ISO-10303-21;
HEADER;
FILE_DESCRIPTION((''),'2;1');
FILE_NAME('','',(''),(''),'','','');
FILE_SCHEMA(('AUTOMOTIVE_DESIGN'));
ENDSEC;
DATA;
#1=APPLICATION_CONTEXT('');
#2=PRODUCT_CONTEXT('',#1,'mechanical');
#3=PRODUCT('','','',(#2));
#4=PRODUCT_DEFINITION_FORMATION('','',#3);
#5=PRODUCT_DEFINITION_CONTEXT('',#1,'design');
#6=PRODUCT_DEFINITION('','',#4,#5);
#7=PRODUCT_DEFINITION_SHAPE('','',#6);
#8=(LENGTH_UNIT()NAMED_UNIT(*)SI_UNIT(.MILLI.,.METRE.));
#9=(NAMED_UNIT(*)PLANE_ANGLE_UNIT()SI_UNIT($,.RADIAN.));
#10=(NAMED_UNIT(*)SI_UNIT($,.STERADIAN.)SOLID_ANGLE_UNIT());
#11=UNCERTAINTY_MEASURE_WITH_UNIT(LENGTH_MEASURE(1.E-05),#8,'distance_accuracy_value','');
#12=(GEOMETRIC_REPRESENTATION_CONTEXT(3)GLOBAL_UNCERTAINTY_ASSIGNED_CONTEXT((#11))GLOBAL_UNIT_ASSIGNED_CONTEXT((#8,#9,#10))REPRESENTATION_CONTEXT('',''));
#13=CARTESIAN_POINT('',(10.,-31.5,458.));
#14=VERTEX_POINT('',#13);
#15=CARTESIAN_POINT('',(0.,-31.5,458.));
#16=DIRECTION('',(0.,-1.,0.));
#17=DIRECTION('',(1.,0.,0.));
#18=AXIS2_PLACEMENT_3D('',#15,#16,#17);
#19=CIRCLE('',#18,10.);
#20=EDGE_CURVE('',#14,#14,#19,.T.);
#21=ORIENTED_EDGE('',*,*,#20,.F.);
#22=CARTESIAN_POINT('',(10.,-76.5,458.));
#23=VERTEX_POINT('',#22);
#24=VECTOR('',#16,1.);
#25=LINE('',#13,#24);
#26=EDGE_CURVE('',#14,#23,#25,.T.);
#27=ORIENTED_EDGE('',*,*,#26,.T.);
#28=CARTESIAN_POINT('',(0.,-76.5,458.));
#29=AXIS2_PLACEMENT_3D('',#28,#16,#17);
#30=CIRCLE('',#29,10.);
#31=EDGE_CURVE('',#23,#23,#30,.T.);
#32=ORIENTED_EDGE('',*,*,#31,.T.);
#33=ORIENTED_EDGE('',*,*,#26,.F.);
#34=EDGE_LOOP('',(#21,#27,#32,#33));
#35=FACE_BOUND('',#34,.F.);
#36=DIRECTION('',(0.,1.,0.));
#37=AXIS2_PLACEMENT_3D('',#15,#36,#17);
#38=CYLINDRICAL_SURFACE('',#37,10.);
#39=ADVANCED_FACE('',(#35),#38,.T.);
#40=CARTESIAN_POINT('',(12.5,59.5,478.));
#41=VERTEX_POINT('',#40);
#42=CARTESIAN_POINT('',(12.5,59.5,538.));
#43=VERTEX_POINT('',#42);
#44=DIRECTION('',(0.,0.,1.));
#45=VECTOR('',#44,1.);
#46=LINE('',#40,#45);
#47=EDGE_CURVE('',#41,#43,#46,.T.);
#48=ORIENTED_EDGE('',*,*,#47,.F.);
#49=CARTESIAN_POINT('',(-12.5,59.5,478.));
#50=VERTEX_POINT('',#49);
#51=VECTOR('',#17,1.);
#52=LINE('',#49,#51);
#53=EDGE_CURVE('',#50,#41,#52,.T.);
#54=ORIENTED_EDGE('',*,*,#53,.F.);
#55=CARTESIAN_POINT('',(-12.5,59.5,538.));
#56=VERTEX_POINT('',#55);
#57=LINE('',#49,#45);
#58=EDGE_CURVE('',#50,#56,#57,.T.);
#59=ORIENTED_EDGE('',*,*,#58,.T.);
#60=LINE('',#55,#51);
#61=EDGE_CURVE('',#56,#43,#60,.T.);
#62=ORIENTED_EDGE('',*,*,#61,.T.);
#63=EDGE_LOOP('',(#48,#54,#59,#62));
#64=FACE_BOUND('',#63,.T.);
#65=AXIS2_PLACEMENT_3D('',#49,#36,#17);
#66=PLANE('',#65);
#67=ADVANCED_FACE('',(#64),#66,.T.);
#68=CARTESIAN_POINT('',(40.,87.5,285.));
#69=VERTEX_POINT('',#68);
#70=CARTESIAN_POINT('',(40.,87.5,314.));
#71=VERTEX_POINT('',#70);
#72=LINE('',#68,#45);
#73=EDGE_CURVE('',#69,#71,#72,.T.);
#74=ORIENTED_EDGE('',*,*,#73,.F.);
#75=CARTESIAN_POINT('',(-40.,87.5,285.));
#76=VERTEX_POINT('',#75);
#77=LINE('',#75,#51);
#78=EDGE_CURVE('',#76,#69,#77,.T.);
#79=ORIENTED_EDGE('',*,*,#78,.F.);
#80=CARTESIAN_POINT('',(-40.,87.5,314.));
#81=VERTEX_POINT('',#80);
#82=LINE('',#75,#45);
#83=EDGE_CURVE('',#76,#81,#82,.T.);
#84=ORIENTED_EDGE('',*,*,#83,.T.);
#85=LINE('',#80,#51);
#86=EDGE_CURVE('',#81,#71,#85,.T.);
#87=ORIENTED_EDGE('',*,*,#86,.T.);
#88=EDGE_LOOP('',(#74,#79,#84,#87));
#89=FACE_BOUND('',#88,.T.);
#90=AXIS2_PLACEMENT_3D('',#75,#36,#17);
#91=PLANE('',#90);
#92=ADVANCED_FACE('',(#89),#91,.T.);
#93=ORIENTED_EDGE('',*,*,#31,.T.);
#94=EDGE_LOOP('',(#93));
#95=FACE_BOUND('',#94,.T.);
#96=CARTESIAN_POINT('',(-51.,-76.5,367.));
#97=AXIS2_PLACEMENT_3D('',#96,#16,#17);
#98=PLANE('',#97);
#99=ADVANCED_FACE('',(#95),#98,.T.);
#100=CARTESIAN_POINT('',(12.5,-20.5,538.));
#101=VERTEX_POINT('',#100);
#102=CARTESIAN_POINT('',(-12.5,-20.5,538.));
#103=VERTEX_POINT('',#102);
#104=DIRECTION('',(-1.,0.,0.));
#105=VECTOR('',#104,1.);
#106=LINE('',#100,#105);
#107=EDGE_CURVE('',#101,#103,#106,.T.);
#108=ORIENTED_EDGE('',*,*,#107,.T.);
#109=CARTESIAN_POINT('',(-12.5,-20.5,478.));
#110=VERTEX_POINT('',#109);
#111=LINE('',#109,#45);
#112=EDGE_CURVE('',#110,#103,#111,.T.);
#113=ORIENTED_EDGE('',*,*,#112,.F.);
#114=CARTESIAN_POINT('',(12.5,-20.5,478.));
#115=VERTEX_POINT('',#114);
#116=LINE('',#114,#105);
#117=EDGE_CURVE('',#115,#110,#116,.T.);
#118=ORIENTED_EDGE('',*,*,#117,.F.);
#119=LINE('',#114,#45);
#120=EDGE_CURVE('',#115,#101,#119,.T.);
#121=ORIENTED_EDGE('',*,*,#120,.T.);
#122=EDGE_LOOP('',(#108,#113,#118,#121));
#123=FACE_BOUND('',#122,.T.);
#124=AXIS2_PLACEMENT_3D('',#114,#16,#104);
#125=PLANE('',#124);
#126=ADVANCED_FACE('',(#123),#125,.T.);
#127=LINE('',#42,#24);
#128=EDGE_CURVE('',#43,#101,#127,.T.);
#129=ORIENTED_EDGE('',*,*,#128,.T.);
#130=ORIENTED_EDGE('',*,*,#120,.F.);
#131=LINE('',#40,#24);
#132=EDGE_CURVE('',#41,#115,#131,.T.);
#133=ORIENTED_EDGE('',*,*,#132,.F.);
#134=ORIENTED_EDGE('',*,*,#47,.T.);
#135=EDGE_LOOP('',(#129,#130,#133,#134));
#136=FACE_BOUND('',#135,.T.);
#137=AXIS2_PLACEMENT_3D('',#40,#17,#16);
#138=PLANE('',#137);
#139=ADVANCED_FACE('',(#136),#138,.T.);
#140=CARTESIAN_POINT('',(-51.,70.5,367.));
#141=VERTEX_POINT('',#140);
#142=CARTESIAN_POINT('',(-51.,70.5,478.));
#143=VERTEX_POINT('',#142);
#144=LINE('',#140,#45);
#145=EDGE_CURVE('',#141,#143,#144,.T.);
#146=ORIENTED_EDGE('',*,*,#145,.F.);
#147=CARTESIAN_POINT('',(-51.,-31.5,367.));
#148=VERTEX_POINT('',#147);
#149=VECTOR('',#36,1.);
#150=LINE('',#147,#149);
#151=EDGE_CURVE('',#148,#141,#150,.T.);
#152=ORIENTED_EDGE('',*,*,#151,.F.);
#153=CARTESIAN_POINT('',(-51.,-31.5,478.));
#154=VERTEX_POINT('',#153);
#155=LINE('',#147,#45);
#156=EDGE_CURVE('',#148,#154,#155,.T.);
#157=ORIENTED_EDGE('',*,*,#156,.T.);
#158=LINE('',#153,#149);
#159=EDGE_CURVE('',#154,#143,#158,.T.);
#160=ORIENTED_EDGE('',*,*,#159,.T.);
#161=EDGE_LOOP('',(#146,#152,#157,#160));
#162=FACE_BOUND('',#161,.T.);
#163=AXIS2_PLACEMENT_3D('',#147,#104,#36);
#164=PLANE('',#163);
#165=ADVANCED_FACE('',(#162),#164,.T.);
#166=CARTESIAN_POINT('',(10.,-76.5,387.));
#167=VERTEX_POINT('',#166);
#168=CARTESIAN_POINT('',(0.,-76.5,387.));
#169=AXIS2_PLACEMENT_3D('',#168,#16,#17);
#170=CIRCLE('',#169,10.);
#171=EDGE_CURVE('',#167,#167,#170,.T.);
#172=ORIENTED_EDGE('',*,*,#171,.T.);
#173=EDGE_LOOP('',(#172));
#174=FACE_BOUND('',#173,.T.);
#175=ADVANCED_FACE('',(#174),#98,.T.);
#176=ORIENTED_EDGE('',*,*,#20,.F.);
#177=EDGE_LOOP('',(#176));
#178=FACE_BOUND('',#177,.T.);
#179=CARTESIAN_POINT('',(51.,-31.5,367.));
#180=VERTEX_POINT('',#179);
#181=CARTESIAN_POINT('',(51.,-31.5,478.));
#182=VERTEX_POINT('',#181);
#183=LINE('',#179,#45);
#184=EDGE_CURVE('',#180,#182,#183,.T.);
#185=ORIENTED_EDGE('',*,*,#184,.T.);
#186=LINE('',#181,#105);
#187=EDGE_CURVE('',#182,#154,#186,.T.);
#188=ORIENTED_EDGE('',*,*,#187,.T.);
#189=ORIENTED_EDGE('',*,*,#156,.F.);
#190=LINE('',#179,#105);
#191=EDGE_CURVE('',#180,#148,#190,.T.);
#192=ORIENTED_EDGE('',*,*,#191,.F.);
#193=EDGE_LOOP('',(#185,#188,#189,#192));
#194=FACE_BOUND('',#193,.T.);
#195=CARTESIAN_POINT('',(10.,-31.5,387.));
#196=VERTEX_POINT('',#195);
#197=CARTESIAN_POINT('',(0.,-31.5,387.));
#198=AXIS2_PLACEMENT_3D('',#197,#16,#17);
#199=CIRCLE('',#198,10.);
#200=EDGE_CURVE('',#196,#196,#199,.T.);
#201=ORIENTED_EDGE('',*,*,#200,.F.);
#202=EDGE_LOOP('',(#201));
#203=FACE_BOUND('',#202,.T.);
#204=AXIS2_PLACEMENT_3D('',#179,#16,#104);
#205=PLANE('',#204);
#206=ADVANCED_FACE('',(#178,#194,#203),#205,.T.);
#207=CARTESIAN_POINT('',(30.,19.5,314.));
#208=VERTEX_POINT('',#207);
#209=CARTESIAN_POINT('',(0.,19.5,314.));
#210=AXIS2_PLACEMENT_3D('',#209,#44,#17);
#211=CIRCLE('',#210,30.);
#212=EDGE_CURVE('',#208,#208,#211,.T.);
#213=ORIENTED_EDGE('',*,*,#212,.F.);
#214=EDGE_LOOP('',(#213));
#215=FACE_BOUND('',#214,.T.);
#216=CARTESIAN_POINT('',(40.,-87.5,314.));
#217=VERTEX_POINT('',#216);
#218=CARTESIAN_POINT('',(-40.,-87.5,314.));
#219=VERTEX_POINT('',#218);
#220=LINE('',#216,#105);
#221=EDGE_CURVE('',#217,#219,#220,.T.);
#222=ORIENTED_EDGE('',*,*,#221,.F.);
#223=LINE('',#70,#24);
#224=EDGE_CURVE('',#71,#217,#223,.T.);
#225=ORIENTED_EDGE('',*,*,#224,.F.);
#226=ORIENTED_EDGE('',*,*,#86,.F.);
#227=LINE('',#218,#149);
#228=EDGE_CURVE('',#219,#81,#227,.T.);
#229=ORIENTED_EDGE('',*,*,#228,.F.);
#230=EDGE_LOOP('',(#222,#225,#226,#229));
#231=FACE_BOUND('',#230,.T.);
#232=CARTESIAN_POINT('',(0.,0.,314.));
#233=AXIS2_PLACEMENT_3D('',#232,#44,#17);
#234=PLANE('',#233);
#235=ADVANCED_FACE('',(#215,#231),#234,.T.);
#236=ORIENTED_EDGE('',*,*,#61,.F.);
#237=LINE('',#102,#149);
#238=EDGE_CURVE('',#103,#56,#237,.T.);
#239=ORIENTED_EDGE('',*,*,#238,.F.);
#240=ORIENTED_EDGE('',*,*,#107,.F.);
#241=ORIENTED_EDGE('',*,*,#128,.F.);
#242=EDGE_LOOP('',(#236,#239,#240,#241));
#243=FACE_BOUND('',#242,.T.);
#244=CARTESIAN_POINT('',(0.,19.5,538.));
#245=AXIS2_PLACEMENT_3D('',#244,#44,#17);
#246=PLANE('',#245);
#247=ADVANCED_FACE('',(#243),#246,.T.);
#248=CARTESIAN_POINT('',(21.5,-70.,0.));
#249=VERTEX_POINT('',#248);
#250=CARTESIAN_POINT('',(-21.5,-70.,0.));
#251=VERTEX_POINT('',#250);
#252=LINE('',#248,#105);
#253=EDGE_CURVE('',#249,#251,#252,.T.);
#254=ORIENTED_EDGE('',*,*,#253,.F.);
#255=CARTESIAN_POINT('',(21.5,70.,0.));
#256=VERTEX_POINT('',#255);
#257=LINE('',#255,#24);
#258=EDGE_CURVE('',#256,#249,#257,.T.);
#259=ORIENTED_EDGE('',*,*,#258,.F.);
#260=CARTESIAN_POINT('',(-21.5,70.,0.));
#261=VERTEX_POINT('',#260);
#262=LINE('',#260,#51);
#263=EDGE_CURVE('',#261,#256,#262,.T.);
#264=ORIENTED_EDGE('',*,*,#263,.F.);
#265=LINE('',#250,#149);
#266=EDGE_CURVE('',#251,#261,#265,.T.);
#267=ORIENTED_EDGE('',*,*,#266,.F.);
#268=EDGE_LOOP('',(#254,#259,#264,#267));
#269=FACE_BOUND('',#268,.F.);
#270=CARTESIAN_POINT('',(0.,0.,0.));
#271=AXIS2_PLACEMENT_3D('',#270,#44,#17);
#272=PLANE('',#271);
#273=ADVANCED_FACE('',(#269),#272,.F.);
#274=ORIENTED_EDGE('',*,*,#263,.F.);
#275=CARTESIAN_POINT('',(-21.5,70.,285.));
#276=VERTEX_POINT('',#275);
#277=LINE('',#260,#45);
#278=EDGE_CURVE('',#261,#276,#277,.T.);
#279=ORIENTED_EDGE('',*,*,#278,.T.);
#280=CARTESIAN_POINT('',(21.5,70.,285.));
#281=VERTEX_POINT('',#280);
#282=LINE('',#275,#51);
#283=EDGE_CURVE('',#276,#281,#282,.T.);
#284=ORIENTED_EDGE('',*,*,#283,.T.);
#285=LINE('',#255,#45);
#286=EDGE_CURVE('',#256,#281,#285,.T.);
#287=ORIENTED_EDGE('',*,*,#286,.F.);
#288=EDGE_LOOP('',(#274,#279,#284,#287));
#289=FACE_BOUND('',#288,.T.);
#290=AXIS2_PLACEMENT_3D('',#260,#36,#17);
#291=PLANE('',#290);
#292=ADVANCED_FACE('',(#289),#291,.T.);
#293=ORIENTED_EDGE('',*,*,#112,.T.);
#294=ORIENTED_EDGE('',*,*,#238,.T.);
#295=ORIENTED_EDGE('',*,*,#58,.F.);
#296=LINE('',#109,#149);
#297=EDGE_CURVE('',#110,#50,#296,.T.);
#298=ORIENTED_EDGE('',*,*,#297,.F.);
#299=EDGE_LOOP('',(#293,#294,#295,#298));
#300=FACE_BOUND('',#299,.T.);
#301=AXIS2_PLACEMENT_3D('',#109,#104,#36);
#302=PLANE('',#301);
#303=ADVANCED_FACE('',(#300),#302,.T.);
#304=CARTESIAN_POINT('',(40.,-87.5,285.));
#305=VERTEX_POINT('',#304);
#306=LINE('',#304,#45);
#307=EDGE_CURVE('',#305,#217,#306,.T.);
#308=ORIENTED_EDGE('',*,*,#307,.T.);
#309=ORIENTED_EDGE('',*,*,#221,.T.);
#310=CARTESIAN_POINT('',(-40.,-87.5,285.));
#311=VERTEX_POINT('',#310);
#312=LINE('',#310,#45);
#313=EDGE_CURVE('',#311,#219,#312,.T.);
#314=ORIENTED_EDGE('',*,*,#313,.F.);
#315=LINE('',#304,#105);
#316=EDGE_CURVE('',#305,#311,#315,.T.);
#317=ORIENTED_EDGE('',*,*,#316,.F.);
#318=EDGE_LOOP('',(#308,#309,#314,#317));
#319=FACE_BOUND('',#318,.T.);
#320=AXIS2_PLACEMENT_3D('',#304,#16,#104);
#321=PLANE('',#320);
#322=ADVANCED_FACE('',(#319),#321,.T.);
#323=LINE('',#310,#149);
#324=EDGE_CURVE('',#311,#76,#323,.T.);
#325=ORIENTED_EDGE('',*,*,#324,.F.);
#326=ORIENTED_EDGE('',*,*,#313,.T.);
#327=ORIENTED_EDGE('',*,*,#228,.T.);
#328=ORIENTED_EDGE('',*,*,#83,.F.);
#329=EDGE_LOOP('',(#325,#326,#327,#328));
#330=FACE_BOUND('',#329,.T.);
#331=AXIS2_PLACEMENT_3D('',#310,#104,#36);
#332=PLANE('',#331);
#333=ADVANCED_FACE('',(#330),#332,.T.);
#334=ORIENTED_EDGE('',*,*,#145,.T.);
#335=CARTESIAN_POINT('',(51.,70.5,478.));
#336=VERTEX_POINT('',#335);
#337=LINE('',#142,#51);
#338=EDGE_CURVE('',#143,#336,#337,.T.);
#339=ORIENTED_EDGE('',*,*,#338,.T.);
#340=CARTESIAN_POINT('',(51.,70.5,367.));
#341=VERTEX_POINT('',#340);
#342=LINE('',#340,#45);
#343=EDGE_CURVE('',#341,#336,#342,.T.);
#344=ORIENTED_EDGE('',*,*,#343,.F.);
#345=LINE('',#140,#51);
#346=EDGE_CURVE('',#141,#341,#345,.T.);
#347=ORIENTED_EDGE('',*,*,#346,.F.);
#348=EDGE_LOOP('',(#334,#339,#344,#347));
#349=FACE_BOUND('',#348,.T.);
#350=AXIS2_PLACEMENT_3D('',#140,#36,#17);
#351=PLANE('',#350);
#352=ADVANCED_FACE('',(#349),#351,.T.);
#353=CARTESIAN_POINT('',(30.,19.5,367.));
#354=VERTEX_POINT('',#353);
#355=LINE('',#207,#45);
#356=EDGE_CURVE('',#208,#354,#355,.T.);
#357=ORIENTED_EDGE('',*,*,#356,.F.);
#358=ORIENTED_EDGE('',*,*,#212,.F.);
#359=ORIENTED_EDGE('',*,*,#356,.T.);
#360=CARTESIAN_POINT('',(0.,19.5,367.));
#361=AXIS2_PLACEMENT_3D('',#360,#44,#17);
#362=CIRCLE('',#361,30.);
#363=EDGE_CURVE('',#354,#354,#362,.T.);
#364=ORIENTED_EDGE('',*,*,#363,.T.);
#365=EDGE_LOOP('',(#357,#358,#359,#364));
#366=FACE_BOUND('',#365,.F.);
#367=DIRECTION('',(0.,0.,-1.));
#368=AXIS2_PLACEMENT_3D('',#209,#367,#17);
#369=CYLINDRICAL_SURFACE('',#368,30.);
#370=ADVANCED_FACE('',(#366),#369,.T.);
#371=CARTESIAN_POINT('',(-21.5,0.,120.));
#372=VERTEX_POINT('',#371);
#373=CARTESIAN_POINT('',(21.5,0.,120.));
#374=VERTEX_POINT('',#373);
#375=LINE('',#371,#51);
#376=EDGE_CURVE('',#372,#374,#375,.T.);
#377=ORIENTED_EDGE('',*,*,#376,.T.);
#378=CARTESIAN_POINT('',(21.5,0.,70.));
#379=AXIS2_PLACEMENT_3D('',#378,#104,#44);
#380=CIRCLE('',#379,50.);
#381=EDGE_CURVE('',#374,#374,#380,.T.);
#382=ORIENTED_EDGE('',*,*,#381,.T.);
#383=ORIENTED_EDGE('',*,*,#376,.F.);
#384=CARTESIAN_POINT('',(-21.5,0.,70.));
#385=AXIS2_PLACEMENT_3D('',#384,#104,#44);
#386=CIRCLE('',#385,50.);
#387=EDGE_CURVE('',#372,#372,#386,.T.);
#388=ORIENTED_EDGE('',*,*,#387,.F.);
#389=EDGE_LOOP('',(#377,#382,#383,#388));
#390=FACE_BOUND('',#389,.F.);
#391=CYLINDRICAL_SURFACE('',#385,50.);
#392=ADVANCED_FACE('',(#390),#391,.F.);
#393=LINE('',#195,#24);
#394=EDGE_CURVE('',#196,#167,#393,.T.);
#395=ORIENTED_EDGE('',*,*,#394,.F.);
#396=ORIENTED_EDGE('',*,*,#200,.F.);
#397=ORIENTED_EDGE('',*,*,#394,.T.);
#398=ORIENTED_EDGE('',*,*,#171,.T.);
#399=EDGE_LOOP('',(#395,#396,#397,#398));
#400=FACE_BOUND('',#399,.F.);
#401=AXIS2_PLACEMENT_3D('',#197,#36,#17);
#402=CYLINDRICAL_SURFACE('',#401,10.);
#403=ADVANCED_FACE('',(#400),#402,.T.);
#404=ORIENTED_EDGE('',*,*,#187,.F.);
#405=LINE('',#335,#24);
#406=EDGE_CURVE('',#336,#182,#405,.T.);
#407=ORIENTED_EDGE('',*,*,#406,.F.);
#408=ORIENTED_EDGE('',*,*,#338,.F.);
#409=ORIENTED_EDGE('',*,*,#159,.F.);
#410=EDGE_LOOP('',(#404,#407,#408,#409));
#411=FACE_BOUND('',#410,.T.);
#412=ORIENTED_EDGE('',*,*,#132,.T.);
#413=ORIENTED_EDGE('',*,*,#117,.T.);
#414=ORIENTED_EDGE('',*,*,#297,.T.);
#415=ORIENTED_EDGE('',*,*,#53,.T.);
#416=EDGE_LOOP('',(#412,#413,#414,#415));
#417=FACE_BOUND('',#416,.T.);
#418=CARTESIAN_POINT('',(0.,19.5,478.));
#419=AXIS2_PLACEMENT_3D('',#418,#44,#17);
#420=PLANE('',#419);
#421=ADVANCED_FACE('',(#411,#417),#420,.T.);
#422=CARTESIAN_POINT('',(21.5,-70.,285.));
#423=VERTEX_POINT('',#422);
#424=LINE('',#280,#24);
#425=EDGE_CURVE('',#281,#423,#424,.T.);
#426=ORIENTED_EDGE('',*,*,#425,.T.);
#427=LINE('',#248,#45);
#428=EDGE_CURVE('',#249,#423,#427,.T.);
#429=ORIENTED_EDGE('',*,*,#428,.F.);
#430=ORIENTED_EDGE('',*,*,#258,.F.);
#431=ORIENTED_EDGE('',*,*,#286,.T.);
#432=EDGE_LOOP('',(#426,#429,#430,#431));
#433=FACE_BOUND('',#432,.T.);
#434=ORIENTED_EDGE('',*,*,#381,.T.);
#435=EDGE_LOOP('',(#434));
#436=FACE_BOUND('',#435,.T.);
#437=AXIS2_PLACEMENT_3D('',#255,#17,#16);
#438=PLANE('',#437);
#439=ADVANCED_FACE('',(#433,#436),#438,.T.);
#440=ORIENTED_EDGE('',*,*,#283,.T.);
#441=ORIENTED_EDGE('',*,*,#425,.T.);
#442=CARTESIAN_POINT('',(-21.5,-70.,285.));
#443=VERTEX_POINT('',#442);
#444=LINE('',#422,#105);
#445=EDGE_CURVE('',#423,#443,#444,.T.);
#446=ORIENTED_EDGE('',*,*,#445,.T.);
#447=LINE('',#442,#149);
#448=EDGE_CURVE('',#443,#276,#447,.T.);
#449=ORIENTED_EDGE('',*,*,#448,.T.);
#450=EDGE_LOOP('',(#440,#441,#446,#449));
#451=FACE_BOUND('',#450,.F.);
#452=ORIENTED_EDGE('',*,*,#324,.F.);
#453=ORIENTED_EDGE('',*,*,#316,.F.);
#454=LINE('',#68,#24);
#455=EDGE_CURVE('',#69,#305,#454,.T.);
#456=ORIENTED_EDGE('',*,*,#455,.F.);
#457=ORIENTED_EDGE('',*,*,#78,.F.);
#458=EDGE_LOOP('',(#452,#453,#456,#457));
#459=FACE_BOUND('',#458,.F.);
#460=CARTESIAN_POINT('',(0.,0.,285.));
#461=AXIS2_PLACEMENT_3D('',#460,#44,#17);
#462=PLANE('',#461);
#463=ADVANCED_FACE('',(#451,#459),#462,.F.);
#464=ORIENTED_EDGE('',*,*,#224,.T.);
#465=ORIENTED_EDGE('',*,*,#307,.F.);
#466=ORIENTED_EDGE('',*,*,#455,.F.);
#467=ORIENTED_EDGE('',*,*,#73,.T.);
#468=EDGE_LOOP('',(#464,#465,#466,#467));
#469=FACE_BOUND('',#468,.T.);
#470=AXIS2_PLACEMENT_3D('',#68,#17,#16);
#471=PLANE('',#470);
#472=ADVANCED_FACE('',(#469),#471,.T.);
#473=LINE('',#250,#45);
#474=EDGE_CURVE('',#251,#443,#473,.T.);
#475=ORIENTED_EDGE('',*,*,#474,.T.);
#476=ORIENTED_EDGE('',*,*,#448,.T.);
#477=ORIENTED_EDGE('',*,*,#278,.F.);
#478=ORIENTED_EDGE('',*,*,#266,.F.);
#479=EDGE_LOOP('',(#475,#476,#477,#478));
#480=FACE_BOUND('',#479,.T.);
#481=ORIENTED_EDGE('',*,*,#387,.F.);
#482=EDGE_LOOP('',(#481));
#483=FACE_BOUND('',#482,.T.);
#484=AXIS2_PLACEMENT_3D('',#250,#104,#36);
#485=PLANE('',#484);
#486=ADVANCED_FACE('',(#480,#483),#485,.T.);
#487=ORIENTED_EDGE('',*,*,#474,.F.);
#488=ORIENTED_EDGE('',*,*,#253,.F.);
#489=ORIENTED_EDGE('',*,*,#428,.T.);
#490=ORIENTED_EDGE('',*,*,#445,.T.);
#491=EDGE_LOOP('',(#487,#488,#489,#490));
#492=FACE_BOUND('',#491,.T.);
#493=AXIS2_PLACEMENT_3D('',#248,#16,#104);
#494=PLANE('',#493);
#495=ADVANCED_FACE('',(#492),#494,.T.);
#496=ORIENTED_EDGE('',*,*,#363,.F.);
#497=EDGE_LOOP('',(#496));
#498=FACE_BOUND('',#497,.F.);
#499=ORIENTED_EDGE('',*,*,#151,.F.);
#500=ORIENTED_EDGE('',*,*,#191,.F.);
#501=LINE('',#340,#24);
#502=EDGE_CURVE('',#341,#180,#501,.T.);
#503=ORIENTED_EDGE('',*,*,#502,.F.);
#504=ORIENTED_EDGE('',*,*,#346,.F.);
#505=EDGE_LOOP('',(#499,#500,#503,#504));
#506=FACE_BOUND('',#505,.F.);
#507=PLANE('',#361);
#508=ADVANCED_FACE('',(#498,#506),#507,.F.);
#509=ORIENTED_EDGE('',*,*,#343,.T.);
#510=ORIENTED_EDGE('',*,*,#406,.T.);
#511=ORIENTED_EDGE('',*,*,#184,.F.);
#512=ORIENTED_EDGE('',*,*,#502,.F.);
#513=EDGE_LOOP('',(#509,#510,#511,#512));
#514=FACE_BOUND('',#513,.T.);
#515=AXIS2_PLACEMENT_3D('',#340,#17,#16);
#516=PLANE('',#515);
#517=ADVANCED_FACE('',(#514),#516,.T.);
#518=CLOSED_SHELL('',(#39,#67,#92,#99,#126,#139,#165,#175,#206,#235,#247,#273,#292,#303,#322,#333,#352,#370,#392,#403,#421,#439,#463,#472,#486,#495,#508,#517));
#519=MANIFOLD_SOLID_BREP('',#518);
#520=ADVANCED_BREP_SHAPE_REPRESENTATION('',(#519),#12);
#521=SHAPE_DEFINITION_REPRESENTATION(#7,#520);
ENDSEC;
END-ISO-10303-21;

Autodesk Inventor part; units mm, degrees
ref_plane "YZ Plane" through (0, 0, 0) normal (1, 0, 0) x (0, 1, 0)
ref_plane "XZ Plane" through (0, 0, 0) normal (0, 1, 0) x (-1, 0, 0)
ref_plane "XY Plane" through (0, 0, 0) normal (0, 0, 1) x (1, 0, 0)
sketch "スケッチ1" plane through (0, 0, 0) normal (0, 0, 1) x (1, 0, 0)
  line L0 (-21.5, 70) -> (21.5, 70)
  line L1 (21.5, 70) -> (21.5, -70)
  line L2 (21.5, -70) -> (-21.5, -70)
  line L3 (-21.5, -70) -> (-21.5, 70)
  line L4 (0, 0) -> (0, 119.7225) construction
  line L5 (0, 0) -> (105.4922, 0) construction
  dimension "d0" = 43
  dimension "d1" = 140
extrude "押し出し1" add sketch "スケッチ1" along normal blind 285
sketch "スケッチ2" plane through (0, 0, 285) normal (0, 0, 1) x (1, 0, 0)
  point P0 (0, 0)
sketch "スケッチ3" plane through (0, 0, 285) normal (0, 0, 1) x (1, 0, 0)
  line L0 (-40, 87.5) -> (40, 87.5)
  line L1 (40, 87.5) -> (40, -87.5)
  line L2 (40, -87.5) -> (-40, -87.5)
  line L3 (-40, -87.5) -> (-40, 87.5)
  line L4 (0, 0) -> (0, 125.4617) construction
  line L5 (0, 0) -> (95.6188, 0) construction
  dimension "d4" = 80
  dimension "d5" = 175
extrude "押し出し2" add sketch "スケッチ3" along normal blind 29
sketch "スケッチ4" plane through (0, 0, 314) normal (0, 0, 1) x (1, 0, 0)
  circle A0 centre (0, 19.5) radius 30
  line L0 (40, 87.5) -> (-40, 87.5) projected
  point P0 (0, 0)
  point P1 (0, 87.5)
  dimension "d8" = 60
  dimension "d9" = 68
extrude "押し出し3" add sketch "スケッチ4" along normal blind 53
sketch "スケッチ5" plane through (0, 19.5, 367) normal (0, 0, 1) x (1, 0, 0)
  line L0 (-51, 51) -> (51, 51)
  line L1 (51, 51) -> (51, -51)
  line L2 (51, -51) -> (-51, -51)
  line L3 (-51, -51) -> (-51, 51)
  line L4 (0, 0) -> (0, 75.1784) construction
  line L5 (0, 0) -> (69.351, 0) construction
  point P0 (0, -19.5)
  dimension "d12" = 102
  dimension "d13" = 102
extrude "押し出し4" add sketch "スケッチ5" along normal blind 111
sketch "スケッチ6" plane through (0, 19.5, 478) normal (0, 0, 1) x (1, 0, 0)
  line L0 (-12.5, 40) -> (12.5, 40)
  line L1 (12.5, 40) -> (12.5, -40)
  line L2 (12.5, -40) -> (-12.5, -40)
  line L3 (-12.5, -40) -> (-12.5, 40)
  line L4 (0, 0) -> (0, 47.6944) construction
  line L5 (0, 0) -> (61.4102, 0) construction
  point P0 (0, -19.5)
  dimension "d16" = 25
  dimension "d17" = 80
extrude "押し出し5" add sketch "スケッチ6" along normal blind 60
sketch "スケッチ7" plane through (-51, -31.5, 367) normal (0, -1, 0) x (1, 0, 0)
  circle A0 centre (51, 91) radius 10
  circle A1 centre (51, 20) radius 10
  line L0 (0, 111) -> (102, 111) projected
  line L1 (0, 0) -> (102, 0) projected
  point P0 (51, -367)
  point P1 (51, 111)
  point P2 (51, 0)
  dimension "d20" = 20
  dimension "d21" = 20
  dimension "d22" = 20
  dimension "d23" = 20
extrude "押し出し6" add sketch "スケッチ7" along normal blind 45
sketch "スケッチ8" plane through (-21.5, -70, 0) normal (-1, 0, 0) x (0, 0, 1)
  circle A0 centre (70, 70) radius 50
  line L0 (0, 140) -> (0, 0) projected
  point P0 (0, 70)
  point P1 (0, 70)
  dimension "d26" = 100
  dimension "d27" = 70
extrude "押し出し7" cut sketch "スケッチ8" against normal through all
properties part number "gate_valve" material "ステンレス鋼 440C"
